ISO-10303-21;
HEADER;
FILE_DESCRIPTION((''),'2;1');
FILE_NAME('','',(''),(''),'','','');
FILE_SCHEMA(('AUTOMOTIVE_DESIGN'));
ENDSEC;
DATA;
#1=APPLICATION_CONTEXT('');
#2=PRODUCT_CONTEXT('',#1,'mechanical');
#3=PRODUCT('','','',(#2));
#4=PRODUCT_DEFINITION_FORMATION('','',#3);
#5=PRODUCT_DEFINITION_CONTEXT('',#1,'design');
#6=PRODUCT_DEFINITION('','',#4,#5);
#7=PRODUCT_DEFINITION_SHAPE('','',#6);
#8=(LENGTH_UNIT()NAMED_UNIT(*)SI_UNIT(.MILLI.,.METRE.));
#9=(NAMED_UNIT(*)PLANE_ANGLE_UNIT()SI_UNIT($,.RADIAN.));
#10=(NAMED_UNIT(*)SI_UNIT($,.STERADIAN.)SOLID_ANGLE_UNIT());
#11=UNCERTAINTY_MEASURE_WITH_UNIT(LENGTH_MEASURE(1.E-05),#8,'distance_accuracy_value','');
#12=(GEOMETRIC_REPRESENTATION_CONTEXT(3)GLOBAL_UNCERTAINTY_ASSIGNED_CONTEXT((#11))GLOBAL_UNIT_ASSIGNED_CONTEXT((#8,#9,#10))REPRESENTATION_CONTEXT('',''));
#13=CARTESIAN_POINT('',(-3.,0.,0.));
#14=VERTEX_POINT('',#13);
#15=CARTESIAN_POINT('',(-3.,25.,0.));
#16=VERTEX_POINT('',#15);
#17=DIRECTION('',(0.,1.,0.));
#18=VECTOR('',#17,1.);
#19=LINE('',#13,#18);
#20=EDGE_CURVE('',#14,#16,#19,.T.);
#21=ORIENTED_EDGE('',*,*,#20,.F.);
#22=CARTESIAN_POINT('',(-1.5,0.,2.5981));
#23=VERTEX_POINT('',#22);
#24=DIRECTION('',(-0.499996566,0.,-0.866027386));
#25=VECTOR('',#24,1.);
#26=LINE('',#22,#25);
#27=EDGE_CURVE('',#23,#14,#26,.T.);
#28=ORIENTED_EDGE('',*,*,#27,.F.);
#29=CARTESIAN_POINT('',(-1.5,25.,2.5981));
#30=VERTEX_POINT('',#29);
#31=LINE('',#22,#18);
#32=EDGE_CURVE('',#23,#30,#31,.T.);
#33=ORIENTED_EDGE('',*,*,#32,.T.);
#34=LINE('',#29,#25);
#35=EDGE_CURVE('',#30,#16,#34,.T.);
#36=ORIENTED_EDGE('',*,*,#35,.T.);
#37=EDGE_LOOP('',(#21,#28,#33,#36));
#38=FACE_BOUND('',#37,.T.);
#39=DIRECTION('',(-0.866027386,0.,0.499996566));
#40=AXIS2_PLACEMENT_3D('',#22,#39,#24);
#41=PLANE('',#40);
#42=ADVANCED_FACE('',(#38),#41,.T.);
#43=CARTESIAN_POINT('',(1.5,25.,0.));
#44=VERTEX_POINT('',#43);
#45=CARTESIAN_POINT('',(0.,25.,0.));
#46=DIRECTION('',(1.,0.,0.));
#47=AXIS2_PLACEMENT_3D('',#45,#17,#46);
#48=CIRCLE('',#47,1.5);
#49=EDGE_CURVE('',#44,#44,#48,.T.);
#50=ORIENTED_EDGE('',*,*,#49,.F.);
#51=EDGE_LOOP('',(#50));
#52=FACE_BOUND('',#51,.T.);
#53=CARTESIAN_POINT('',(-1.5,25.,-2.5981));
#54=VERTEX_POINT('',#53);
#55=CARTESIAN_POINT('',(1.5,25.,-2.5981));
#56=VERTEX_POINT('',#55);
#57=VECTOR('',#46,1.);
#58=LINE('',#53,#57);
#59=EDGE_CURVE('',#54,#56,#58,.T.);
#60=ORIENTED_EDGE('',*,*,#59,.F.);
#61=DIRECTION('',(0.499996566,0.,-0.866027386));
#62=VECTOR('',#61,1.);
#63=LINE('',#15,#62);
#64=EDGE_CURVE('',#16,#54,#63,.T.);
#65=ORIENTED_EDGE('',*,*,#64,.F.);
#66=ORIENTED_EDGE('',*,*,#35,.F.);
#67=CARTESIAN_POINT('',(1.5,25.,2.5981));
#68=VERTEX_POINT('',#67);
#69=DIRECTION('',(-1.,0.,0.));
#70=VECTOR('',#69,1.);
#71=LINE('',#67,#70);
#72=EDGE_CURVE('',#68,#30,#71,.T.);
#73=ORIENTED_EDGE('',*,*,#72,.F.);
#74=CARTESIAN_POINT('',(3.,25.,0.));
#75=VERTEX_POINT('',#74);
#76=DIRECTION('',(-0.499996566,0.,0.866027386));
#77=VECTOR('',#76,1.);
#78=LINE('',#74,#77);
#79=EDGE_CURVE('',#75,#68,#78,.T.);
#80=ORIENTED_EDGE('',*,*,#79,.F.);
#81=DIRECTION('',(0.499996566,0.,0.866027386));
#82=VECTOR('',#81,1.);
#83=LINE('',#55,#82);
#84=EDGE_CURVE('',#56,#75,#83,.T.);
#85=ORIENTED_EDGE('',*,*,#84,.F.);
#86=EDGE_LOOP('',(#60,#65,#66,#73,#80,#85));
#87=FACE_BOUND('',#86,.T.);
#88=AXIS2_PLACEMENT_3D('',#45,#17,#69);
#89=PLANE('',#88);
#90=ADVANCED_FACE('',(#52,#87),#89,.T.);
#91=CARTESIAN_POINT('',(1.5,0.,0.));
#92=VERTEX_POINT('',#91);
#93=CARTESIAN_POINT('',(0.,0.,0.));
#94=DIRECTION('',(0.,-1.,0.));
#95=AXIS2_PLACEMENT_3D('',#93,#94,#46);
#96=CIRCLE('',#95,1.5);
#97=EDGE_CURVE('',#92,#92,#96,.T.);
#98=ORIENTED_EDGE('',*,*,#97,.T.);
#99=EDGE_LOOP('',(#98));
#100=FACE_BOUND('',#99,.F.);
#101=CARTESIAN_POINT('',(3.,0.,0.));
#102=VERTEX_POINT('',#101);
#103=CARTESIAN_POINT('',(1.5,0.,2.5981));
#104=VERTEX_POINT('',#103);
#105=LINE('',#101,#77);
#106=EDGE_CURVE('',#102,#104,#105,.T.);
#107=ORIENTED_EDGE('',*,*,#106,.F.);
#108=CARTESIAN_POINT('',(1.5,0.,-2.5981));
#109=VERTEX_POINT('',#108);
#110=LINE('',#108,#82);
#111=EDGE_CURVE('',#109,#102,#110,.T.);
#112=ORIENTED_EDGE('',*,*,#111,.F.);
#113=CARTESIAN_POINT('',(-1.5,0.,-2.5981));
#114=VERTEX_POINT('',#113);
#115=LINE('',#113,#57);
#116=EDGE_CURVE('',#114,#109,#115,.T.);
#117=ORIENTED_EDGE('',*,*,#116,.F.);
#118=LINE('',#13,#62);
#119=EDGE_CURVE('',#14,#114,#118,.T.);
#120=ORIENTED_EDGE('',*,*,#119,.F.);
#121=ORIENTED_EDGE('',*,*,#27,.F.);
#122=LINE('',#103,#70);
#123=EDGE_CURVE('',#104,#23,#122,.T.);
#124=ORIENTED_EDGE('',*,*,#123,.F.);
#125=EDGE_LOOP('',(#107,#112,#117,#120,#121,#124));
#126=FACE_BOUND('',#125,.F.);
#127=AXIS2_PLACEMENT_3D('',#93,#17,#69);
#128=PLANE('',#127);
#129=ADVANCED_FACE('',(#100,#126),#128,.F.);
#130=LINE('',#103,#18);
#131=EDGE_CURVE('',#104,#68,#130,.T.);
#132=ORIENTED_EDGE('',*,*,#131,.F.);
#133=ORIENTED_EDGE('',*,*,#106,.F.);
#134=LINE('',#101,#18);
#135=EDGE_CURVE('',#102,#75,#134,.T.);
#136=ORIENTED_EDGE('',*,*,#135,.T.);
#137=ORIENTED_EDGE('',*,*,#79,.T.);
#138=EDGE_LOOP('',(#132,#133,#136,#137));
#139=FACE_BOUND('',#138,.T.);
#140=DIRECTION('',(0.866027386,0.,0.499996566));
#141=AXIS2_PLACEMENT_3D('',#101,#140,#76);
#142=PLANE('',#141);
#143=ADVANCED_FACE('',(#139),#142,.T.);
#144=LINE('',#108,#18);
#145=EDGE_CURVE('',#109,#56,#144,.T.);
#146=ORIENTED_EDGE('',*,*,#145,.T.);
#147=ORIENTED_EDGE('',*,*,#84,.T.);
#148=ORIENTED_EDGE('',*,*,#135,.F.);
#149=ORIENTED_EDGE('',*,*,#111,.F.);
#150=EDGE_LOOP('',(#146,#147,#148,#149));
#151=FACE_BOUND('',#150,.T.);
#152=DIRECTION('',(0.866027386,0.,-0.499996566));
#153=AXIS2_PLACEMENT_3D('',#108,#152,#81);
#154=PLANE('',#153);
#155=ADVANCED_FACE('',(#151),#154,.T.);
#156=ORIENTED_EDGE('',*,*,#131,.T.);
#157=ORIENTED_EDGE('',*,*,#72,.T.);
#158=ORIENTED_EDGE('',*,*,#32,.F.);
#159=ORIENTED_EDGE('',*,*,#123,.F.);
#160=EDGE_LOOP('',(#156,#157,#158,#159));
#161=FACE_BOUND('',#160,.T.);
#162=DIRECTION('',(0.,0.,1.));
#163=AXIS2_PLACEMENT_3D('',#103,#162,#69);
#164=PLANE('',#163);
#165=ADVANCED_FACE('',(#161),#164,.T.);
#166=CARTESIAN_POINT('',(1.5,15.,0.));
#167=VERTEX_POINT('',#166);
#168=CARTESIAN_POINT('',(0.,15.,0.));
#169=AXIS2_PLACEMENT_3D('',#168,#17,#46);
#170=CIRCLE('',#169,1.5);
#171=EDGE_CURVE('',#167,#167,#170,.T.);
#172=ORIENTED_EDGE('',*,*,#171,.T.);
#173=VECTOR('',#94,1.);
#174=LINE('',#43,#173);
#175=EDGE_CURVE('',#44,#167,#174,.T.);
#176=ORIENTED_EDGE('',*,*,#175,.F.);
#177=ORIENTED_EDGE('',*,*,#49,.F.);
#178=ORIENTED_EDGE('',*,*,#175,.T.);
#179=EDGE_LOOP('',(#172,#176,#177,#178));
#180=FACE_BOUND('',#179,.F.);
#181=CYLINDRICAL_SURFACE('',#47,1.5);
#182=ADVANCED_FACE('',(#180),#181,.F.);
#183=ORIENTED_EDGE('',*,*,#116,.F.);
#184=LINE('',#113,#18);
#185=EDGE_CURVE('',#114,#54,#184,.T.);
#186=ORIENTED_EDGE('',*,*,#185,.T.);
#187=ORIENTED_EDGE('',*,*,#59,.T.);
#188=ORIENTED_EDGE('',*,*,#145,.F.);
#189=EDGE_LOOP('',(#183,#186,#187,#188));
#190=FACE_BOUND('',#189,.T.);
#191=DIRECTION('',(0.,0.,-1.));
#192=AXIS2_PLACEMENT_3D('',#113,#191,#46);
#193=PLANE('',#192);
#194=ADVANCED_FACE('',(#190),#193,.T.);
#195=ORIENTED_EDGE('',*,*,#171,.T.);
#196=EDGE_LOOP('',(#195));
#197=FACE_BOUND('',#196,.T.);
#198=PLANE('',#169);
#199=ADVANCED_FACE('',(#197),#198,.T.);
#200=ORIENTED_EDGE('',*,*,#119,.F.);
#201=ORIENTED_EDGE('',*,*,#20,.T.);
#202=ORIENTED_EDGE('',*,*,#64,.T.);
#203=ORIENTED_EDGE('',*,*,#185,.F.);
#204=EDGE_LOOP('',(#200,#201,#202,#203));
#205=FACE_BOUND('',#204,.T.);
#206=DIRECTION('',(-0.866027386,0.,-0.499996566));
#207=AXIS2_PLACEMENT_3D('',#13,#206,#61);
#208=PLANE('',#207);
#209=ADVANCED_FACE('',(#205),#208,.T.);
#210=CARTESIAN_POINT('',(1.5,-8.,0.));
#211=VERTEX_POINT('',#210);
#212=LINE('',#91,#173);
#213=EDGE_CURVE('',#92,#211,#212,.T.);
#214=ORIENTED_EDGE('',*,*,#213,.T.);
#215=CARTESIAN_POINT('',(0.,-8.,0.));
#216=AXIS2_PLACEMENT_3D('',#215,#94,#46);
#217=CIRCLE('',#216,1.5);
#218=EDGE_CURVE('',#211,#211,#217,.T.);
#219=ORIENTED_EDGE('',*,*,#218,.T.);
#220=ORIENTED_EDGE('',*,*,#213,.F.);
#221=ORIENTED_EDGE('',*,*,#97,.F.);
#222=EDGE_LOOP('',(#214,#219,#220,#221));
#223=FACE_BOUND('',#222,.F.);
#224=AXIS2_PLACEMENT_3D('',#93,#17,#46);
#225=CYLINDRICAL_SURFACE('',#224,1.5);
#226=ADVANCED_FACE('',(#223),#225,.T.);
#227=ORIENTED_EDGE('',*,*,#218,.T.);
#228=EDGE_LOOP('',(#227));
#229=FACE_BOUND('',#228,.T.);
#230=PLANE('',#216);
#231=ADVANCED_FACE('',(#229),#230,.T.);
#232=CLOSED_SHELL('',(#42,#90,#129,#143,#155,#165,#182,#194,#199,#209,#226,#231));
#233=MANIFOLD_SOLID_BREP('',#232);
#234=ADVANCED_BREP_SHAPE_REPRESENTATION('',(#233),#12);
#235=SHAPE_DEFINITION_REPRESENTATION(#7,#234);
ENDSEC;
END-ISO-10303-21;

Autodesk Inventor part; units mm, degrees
ref_plane "YZ Plane" through (0, 0, 0) normal (1, 0, 0) x (0, 1, 0)
ref_plane "XZ Plane" through (0, 0, 0) normal (0, 1, 0) x (-1, 0, 0)
ref_plane "XY Plane" through (0, 0, 0) normal (0, 0, 1) x (1, 0, 0)
sketch "Sketch1" plane through (0, 0, 0) normal (0, 1, 0) x (-1, 0, 0)
  line L0 (-3, 0) -> (-1.5, 2.5981)
  line L1 (-1.5, 2.5981) -> (1.5, 2.5981)
  line L2 (1.5, 2.5981) -> (3, 0)
  line L3 (3, 0) -> (1.5, -2.5981)
  line L4 (1.5, -2.5981) -> (-1.5, -2.5981)
  line L5 (-1.5, -2.5981) -> (-3, 0)
  point P0 (0, 0)
  point P1 (0, 0)
  dimension "d0" = 6
sketch "Sketch2" plane through (0, 0, 0) normal (0, 1, 0) x (-1, 0, 0)
  point P0 (0, 0)
extrude "Extrusion1" add sketch "Sketch1" along normal blind 25
sketch "Sketch3" plane through (0, 0, 0) normal (0, -1, 0) x (1, 0, 0)
  circle A0 centre (0, 0) radius 1.5
  dimension "d3" = 3
sketch "Sketch4" plane through (0, 25, 0) normal (0, 1, 0) x (1, 0, 0)
  circle A0 centre (0, 0) radius 1.5
  dimension "d4" = 3
extrude "Extrusion2" add sketch "Sketch3" along normal blind 8
extrude "Extrusion3" cut sketch "Sketch4" against normal blind 10
properties part number "Spacer25mm" material "Brass, Soft Yellow"
